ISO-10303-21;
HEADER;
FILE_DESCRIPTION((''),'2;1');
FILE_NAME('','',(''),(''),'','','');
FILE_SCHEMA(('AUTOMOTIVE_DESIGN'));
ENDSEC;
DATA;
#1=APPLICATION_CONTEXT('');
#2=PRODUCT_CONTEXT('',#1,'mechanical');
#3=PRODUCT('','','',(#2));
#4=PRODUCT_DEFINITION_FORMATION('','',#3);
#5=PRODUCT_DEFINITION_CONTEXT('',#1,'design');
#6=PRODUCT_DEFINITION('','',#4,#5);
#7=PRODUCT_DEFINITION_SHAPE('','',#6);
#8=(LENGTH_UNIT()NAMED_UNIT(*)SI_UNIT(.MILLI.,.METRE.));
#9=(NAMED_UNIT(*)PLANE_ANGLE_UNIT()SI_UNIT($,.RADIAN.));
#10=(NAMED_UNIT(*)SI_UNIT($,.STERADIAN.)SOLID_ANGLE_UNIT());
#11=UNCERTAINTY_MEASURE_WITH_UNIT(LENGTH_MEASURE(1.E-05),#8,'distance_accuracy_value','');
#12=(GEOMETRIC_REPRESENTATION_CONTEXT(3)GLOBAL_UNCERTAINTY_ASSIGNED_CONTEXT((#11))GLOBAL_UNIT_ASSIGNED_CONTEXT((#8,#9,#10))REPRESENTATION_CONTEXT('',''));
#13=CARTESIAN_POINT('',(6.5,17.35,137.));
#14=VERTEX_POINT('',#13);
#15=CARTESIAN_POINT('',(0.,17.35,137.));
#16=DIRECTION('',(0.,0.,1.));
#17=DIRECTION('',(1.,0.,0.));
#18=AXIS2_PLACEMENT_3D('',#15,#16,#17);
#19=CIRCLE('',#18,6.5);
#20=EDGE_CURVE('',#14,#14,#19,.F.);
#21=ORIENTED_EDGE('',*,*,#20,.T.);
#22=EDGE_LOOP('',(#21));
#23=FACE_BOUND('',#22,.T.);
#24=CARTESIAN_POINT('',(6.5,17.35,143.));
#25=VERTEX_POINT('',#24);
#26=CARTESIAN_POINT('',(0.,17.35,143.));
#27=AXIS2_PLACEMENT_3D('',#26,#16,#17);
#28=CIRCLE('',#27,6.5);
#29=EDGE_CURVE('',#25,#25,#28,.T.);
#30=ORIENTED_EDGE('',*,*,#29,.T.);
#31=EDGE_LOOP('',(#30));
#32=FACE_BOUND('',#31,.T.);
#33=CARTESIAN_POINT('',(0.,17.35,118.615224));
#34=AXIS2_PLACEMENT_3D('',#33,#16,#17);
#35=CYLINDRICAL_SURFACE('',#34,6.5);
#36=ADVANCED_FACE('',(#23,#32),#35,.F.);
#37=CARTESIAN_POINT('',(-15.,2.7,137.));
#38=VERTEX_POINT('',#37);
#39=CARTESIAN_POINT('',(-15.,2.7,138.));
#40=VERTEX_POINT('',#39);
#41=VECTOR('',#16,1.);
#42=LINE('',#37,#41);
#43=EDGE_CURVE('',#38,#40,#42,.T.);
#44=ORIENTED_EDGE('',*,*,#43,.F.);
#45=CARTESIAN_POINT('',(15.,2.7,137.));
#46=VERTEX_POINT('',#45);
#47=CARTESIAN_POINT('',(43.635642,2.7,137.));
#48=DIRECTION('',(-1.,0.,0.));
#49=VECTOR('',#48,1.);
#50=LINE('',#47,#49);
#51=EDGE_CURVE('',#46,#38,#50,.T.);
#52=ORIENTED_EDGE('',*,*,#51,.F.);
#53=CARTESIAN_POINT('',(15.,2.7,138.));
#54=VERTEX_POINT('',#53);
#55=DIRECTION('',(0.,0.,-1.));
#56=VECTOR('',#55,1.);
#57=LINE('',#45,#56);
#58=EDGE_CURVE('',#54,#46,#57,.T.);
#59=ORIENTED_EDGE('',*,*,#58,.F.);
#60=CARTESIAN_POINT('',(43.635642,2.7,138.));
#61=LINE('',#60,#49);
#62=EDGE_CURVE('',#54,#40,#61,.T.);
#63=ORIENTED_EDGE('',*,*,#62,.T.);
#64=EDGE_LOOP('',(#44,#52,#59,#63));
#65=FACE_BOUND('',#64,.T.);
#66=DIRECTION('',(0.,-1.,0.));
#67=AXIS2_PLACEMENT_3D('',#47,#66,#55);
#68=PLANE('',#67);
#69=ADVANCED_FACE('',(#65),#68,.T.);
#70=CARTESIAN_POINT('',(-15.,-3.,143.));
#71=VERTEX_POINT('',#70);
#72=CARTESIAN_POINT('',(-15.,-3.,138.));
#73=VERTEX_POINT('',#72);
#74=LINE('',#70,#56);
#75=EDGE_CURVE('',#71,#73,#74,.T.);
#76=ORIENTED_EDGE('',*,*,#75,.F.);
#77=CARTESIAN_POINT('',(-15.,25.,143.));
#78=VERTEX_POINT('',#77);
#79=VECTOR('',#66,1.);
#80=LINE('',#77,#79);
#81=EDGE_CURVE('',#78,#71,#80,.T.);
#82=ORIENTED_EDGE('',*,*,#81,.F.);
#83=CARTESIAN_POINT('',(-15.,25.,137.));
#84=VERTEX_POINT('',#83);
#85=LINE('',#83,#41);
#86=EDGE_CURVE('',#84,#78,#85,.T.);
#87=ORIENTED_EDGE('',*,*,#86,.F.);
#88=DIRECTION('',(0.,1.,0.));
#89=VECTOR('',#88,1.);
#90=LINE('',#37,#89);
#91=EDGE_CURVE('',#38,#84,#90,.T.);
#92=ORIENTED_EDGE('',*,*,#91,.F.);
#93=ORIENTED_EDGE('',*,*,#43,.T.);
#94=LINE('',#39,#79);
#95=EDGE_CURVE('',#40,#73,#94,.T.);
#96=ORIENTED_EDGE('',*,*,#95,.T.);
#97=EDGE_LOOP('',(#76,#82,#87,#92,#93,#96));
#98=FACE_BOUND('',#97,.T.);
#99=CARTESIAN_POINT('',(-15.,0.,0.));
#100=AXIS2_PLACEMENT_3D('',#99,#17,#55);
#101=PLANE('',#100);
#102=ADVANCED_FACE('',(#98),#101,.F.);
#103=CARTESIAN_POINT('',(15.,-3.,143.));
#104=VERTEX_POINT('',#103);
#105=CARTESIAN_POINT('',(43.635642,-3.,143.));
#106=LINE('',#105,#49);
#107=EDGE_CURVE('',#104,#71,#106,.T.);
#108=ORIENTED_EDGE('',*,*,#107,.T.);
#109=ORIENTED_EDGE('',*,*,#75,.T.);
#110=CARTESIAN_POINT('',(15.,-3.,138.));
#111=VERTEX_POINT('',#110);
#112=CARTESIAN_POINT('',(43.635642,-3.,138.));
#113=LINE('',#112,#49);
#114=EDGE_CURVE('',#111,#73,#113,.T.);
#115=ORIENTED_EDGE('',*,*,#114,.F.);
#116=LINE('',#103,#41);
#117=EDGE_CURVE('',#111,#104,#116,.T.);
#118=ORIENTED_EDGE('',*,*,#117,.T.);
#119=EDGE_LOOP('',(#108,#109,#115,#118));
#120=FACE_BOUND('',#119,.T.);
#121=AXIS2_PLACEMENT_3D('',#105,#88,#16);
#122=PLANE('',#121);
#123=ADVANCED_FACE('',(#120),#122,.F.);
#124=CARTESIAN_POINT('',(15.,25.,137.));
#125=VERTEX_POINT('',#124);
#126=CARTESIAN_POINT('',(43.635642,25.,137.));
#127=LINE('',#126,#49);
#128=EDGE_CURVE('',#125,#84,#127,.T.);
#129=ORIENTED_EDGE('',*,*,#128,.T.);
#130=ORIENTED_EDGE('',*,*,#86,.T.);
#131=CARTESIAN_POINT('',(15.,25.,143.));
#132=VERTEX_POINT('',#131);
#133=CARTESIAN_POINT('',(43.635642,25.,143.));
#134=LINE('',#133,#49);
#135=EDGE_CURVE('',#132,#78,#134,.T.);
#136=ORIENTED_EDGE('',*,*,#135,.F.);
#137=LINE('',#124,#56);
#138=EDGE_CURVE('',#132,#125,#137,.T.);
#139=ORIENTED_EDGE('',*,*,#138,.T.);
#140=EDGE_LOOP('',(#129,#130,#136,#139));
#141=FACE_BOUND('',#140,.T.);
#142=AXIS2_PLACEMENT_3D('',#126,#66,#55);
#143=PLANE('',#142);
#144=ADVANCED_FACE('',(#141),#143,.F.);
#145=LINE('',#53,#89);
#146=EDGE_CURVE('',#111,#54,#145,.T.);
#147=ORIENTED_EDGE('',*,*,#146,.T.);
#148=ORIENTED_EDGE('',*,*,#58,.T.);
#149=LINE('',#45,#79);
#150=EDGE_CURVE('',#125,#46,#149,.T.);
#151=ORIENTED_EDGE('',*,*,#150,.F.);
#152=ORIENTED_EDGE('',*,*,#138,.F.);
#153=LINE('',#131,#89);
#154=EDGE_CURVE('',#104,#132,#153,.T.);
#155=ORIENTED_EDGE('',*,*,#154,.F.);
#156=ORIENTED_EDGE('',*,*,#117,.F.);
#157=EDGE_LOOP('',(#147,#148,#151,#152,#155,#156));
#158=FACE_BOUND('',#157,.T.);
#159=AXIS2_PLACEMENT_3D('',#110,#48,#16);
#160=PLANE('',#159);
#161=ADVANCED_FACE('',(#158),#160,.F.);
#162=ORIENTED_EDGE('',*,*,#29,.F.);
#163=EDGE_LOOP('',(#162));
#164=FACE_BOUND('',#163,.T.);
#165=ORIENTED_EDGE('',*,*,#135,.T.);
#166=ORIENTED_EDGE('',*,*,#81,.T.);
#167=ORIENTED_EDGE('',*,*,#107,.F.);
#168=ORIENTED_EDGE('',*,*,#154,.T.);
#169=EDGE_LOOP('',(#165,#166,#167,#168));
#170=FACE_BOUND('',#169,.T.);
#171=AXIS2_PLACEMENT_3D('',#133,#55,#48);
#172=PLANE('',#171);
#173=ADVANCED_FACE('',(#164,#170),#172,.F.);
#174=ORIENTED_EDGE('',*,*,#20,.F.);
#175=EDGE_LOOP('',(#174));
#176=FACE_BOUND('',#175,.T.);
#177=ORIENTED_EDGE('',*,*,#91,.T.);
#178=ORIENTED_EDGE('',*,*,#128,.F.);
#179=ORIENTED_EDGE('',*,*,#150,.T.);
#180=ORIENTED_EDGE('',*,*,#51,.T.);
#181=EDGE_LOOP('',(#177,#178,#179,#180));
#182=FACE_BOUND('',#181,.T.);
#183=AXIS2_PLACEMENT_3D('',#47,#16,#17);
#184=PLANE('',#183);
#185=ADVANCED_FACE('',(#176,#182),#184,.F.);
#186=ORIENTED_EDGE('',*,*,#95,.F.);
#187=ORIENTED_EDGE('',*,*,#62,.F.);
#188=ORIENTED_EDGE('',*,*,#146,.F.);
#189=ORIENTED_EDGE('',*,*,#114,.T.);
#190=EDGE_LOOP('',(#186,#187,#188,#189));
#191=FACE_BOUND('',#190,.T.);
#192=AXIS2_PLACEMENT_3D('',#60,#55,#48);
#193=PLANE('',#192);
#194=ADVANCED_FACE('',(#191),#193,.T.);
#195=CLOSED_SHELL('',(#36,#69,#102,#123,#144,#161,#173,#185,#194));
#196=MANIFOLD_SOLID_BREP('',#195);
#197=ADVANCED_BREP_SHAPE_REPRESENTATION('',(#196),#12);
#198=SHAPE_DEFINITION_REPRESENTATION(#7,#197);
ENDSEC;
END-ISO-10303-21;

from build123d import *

# Parameters (mm, degrees)
BODY_DEPTH         = 30
SKETCH_4_R         = 6.5
BEARING_HOLE_DEPTH = 6


with BuildPart() as part:
    # Эскиз1 → Body (new body)
    with BuildSketch(Plane.ZY.offset(15)):
        Polygon((137, 2.7), (137, 25), (143, 25), (143, -3), (138, -3), (138, 2.7), align=None)
    extrude(amount=-BODY_DEPTH)

    # Эскиз4 → Bearing_Hole (cut)
    with BuildSketch(Plane.XY.offset(143)):
        with Locations((0, 17.35)):
            Circle(SKETCH_4_R)
    extrude(amount=-BEARING_HOLE_DEPTH, mode=Mode.SUBTRACT)


solid = part.part
